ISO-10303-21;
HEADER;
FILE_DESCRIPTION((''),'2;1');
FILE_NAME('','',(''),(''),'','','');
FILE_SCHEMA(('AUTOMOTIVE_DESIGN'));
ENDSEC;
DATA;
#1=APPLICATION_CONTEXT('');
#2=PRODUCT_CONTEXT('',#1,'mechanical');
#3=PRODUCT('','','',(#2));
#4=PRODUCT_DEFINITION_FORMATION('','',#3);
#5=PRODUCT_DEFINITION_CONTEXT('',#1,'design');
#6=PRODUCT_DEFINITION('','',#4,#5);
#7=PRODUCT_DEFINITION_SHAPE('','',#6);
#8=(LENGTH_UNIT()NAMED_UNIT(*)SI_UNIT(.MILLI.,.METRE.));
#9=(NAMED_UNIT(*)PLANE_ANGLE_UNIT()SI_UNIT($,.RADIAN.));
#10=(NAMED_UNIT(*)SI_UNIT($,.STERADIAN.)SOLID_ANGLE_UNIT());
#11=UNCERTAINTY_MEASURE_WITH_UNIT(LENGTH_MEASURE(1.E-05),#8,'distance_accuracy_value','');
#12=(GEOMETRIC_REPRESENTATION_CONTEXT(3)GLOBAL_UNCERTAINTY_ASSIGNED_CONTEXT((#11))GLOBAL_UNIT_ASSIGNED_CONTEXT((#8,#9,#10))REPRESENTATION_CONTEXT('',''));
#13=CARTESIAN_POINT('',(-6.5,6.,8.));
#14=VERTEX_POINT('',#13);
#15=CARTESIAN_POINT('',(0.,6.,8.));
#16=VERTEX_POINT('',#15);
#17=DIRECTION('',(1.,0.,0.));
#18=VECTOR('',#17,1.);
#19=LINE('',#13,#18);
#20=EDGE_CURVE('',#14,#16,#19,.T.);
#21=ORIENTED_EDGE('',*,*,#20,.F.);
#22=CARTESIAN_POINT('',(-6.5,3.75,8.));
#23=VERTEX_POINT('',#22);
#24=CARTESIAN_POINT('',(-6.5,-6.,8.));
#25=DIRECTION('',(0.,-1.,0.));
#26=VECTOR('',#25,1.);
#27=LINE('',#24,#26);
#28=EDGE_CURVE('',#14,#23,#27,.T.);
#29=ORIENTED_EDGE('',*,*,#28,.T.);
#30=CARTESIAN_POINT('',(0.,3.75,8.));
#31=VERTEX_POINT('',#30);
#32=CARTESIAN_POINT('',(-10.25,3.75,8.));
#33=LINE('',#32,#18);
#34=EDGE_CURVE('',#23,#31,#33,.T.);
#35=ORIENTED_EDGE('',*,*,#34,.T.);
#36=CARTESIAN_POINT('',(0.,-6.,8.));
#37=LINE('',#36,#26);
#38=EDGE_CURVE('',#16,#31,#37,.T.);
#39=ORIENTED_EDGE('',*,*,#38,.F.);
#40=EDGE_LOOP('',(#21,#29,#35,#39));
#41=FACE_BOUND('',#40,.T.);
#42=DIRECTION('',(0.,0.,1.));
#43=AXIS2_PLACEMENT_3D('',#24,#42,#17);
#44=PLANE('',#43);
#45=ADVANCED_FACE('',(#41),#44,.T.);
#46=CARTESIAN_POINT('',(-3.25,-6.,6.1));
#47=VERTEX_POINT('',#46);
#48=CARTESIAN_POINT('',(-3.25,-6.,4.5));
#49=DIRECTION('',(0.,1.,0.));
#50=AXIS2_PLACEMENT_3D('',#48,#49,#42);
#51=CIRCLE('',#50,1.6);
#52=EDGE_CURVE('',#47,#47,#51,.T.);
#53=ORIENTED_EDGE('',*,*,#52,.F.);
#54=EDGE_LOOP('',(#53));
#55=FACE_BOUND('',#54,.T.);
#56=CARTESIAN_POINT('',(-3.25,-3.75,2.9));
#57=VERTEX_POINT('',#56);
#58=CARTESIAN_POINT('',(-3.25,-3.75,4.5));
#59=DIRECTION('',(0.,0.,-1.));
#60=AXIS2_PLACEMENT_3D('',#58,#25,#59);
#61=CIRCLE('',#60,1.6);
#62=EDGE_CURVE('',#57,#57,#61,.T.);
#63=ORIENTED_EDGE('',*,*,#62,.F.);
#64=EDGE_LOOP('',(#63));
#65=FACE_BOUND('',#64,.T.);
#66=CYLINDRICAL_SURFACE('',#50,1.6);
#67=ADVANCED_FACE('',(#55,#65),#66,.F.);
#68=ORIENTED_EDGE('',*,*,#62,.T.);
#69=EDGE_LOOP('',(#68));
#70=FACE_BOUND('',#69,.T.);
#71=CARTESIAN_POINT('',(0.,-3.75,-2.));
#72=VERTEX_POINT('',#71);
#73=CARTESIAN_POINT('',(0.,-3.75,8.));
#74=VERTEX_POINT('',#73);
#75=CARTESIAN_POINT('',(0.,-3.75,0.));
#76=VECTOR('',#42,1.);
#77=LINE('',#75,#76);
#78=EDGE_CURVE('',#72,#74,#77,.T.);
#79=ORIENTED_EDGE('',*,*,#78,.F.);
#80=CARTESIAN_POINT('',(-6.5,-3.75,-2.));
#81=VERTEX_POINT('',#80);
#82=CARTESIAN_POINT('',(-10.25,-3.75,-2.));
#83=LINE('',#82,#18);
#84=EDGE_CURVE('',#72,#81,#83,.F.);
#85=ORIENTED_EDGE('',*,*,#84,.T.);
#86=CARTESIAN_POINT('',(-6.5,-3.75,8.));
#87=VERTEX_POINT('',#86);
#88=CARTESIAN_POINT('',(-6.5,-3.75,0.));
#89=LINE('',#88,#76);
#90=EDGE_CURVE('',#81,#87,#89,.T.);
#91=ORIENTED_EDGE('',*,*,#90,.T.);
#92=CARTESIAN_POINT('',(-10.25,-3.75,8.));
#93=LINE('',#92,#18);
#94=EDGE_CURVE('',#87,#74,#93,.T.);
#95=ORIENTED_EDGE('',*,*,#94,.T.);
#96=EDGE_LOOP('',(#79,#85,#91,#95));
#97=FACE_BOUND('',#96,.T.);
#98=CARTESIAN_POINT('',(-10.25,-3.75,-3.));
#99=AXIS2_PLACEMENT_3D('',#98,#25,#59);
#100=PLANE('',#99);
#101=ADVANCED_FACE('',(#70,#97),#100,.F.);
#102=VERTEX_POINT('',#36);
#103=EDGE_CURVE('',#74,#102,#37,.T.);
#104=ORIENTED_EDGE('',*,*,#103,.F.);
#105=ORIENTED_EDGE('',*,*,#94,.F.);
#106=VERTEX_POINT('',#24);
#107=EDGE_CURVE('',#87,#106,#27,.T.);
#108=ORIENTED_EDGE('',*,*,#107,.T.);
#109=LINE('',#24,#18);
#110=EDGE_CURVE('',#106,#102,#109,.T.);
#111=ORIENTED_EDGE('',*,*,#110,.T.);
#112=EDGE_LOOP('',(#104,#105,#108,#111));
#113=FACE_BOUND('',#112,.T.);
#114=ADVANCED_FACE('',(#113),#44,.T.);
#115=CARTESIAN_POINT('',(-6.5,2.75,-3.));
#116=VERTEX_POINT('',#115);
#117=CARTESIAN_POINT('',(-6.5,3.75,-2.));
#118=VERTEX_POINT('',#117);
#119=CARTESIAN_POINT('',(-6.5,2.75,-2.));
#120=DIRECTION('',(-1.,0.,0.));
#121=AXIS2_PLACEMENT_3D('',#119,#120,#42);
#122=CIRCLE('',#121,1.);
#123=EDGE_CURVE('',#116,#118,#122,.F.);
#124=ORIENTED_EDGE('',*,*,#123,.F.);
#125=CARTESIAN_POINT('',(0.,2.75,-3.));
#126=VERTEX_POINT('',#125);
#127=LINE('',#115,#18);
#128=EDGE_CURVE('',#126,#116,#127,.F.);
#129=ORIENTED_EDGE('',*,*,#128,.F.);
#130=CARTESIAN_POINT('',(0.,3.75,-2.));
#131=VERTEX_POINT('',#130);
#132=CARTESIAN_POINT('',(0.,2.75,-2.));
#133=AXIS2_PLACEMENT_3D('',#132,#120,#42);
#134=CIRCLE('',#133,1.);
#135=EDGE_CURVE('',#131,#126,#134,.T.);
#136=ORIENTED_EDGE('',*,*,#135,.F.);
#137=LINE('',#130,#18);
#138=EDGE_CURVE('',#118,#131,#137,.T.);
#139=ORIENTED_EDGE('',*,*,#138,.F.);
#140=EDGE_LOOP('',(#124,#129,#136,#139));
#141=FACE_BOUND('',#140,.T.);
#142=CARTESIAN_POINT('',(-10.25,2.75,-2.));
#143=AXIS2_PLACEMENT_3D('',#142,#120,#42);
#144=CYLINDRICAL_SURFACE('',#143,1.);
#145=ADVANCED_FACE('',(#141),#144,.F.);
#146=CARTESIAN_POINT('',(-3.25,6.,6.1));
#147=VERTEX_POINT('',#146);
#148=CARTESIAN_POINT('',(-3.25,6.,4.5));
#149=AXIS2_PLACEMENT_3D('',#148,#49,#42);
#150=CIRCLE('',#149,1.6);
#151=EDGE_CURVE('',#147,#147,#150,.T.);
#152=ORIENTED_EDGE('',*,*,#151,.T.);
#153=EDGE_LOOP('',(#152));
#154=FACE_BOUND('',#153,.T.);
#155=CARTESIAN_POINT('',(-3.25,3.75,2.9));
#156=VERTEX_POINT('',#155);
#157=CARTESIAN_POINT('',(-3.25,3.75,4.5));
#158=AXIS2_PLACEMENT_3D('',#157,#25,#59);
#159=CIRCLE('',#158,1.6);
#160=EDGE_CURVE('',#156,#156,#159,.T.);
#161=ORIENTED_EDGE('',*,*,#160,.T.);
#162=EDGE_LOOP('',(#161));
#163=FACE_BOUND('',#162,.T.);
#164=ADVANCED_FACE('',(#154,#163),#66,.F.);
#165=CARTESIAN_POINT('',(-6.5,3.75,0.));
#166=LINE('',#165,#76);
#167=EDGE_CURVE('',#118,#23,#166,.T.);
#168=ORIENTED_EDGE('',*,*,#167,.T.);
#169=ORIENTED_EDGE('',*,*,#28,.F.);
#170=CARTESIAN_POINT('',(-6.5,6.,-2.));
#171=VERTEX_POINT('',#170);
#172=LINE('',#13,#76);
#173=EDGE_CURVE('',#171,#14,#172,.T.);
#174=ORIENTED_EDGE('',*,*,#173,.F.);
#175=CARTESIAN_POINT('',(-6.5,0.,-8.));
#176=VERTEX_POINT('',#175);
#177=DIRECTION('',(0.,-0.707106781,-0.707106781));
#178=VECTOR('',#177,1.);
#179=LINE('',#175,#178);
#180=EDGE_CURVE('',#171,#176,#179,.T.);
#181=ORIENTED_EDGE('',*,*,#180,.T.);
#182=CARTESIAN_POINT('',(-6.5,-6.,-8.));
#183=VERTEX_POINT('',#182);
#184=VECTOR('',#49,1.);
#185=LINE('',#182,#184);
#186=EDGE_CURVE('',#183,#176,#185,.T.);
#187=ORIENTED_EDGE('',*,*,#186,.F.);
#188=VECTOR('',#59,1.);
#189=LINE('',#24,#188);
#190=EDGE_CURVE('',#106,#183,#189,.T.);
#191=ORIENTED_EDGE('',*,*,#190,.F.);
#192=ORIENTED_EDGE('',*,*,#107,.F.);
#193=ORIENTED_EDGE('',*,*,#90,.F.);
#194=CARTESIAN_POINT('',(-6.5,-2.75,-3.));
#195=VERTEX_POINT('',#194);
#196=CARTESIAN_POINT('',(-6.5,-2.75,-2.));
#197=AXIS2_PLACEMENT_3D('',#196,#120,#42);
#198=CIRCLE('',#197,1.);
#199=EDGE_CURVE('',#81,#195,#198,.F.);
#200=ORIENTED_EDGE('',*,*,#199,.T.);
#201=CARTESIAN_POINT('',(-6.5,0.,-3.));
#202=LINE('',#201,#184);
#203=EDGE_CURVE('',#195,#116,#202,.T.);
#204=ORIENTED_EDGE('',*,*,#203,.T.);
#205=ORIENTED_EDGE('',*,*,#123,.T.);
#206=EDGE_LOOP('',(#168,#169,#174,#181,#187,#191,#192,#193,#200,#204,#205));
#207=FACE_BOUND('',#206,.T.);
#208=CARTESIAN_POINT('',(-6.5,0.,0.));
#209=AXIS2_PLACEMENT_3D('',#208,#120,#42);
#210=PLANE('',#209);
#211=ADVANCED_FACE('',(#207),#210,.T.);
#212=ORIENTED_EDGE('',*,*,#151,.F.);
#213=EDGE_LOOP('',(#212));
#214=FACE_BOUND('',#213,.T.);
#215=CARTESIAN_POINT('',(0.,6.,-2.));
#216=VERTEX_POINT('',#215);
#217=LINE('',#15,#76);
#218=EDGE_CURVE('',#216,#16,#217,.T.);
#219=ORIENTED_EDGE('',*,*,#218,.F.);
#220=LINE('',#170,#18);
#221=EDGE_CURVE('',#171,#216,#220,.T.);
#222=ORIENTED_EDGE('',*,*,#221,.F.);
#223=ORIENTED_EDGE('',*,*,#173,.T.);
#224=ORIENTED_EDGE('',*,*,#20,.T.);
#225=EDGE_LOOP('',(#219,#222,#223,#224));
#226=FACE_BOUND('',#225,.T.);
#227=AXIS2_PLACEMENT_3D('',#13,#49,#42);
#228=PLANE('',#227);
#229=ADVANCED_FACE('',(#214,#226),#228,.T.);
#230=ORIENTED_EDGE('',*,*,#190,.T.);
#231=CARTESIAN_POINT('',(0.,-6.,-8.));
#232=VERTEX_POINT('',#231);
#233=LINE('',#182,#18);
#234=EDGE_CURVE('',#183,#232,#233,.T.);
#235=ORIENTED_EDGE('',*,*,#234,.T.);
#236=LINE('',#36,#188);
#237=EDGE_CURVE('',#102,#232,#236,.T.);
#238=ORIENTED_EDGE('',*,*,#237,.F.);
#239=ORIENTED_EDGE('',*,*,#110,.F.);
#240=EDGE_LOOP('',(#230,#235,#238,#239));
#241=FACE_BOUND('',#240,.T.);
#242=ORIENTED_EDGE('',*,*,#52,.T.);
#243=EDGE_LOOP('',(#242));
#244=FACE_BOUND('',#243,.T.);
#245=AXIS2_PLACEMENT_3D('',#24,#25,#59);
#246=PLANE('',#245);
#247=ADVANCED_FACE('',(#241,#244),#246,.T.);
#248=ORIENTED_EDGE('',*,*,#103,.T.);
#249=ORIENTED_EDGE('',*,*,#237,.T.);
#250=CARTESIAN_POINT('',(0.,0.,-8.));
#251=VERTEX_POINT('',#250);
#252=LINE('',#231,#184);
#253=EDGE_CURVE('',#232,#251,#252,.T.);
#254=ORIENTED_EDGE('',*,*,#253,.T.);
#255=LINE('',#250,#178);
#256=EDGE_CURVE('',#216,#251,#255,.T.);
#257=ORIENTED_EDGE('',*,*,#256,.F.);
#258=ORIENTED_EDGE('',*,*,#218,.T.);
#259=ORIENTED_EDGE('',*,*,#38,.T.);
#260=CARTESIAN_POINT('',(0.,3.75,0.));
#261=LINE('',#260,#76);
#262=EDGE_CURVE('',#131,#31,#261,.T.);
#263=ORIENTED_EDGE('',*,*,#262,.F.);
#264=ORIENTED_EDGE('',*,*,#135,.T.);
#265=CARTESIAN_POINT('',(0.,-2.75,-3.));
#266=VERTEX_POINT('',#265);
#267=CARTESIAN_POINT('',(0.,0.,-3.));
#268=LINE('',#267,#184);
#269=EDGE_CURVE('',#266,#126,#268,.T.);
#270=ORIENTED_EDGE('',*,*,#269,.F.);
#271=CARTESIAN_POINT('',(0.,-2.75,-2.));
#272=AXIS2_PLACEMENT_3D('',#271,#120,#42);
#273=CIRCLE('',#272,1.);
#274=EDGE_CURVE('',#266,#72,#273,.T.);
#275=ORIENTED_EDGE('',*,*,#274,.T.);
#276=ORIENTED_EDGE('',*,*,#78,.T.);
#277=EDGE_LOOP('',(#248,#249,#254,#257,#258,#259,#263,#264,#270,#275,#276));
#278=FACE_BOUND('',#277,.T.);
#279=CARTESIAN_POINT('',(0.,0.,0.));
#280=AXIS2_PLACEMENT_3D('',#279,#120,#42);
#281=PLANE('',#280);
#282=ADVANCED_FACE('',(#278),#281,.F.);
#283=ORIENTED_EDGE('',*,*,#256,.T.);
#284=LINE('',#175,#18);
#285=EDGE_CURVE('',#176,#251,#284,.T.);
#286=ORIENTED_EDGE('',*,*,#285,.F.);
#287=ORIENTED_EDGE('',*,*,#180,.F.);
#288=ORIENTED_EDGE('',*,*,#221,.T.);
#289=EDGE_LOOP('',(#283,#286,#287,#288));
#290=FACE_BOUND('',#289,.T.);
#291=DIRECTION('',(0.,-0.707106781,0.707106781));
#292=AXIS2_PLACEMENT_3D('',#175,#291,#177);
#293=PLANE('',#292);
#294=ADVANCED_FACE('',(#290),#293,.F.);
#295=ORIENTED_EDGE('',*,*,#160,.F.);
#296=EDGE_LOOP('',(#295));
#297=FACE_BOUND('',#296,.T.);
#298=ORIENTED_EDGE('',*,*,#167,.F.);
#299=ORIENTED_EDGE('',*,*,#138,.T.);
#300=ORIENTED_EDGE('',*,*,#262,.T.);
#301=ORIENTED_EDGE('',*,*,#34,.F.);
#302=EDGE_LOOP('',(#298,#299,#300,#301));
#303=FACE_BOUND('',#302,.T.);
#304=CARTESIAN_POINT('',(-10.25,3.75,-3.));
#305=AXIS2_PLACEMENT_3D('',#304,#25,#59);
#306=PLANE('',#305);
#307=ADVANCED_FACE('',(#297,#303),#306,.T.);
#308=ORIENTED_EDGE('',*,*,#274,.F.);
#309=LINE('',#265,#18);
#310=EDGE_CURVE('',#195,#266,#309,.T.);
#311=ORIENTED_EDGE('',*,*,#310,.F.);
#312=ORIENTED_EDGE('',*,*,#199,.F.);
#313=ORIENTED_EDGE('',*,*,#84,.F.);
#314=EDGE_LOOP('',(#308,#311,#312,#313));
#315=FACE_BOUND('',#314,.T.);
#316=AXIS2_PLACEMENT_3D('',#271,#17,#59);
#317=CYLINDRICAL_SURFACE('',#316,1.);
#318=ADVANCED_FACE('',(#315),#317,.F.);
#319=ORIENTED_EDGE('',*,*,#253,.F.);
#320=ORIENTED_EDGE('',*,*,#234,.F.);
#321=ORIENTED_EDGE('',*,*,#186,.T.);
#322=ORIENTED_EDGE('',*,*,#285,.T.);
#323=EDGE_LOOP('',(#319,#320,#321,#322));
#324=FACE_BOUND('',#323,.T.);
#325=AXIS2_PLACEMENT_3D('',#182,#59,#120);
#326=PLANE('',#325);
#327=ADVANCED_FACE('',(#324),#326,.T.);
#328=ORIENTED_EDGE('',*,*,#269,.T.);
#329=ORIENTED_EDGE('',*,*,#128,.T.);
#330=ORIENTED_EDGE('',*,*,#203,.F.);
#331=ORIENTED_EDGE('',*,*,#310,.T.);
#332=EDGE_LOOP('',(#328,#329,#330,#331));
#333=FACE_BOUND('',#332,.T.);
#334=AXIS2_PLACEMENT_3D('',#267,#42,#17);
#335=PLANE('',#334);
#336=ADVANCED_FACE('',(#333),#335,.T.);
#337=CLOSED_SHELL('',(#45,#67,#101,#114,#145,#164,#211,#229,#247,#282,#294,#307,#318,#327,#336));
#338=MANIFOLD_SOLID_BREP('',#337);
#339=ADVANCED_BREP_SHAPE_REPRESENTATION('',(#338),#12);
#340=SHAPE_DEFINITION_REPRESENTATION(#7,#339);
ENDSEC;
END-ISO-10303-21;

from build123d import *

# Parameters (mm, degrees)
SKETCH1_W           = 16
SKETCH1_H           = 12
BOSS_EXTRUDE1_DEPTH = 6.5
CUT_EXTRUDE1_DEPTH  = 12.926860442
SKETCH3_W           = 14
SKETCH3_H           = 7.5
CUT_EXTRUDE2_DEPTH  = 11
SKETCH4_R           = 1.6
CUT_EXTRUDE3_DEPTH  = 16.81929202
FILLET1_R           = 1


with BuildPart() as part:
    # Sketch1 → Boss-Extrude1 (new body)
    with BuildSketch(Plane(origin=(0, 0, 0), x_dir=(0, 0, -1), z_dir=(1, 0, 0))):
        Rectangle(SKETCH1_W, SKETCH1_H)
    extrude(amount=-BOSS_EXTRUDE1_DEPTH)

    # Sketch2 → Cut-Extrude1 (cut, through all)
    with BuildSketch(Plane(origin=(0, 0, 0), x_dir=(0, 0, -1), z_dir=(1, 0, 0))):
        Polygon((8, 0), (2, 6), (8, 6), align=None)
    extrude(amount=-CUT_EXTRUDE1_DEPTH, mode=Mode.SUBTRACT)

    # Sketch3 → Cut-Extrude2 (cut)
    with BuildSketch(Plane.XY.offset(8)):
        with Locations((-3.25, 0)):
            Rectangle(SKETCH3_W, SKETCH3_H)
    extrude(amount=-CUT_EXTRUDE2_DEPTH, mode=Mode.SUBTRACT)

    # Sketch4 → Cut-Extrude3 (cut, through all)
    with BuildSketch(Plane(origin=(0, 6, 0), x_dir=(1, 0, 0), z_dir=(0, 1, 0))):
        with Locations(Location((-3.25, -4.5, 0), (0, 0, 270))):
            Circle(SKETCH4_R)
    extrude(amount=-CUT_EXTRUDE3_DEPTH, mode=Mode.SUBTRACT)

    # Fillet1
    fillet1_edges = [part.edges().sort_by_distance(p)[0] for p in [
        (-3.25, -3.75, -3),
        (-3.25, 3.75, -3),
    ]]
    fillet(fillet1_edges, radius=FILLET1_R)


solid = part.part
